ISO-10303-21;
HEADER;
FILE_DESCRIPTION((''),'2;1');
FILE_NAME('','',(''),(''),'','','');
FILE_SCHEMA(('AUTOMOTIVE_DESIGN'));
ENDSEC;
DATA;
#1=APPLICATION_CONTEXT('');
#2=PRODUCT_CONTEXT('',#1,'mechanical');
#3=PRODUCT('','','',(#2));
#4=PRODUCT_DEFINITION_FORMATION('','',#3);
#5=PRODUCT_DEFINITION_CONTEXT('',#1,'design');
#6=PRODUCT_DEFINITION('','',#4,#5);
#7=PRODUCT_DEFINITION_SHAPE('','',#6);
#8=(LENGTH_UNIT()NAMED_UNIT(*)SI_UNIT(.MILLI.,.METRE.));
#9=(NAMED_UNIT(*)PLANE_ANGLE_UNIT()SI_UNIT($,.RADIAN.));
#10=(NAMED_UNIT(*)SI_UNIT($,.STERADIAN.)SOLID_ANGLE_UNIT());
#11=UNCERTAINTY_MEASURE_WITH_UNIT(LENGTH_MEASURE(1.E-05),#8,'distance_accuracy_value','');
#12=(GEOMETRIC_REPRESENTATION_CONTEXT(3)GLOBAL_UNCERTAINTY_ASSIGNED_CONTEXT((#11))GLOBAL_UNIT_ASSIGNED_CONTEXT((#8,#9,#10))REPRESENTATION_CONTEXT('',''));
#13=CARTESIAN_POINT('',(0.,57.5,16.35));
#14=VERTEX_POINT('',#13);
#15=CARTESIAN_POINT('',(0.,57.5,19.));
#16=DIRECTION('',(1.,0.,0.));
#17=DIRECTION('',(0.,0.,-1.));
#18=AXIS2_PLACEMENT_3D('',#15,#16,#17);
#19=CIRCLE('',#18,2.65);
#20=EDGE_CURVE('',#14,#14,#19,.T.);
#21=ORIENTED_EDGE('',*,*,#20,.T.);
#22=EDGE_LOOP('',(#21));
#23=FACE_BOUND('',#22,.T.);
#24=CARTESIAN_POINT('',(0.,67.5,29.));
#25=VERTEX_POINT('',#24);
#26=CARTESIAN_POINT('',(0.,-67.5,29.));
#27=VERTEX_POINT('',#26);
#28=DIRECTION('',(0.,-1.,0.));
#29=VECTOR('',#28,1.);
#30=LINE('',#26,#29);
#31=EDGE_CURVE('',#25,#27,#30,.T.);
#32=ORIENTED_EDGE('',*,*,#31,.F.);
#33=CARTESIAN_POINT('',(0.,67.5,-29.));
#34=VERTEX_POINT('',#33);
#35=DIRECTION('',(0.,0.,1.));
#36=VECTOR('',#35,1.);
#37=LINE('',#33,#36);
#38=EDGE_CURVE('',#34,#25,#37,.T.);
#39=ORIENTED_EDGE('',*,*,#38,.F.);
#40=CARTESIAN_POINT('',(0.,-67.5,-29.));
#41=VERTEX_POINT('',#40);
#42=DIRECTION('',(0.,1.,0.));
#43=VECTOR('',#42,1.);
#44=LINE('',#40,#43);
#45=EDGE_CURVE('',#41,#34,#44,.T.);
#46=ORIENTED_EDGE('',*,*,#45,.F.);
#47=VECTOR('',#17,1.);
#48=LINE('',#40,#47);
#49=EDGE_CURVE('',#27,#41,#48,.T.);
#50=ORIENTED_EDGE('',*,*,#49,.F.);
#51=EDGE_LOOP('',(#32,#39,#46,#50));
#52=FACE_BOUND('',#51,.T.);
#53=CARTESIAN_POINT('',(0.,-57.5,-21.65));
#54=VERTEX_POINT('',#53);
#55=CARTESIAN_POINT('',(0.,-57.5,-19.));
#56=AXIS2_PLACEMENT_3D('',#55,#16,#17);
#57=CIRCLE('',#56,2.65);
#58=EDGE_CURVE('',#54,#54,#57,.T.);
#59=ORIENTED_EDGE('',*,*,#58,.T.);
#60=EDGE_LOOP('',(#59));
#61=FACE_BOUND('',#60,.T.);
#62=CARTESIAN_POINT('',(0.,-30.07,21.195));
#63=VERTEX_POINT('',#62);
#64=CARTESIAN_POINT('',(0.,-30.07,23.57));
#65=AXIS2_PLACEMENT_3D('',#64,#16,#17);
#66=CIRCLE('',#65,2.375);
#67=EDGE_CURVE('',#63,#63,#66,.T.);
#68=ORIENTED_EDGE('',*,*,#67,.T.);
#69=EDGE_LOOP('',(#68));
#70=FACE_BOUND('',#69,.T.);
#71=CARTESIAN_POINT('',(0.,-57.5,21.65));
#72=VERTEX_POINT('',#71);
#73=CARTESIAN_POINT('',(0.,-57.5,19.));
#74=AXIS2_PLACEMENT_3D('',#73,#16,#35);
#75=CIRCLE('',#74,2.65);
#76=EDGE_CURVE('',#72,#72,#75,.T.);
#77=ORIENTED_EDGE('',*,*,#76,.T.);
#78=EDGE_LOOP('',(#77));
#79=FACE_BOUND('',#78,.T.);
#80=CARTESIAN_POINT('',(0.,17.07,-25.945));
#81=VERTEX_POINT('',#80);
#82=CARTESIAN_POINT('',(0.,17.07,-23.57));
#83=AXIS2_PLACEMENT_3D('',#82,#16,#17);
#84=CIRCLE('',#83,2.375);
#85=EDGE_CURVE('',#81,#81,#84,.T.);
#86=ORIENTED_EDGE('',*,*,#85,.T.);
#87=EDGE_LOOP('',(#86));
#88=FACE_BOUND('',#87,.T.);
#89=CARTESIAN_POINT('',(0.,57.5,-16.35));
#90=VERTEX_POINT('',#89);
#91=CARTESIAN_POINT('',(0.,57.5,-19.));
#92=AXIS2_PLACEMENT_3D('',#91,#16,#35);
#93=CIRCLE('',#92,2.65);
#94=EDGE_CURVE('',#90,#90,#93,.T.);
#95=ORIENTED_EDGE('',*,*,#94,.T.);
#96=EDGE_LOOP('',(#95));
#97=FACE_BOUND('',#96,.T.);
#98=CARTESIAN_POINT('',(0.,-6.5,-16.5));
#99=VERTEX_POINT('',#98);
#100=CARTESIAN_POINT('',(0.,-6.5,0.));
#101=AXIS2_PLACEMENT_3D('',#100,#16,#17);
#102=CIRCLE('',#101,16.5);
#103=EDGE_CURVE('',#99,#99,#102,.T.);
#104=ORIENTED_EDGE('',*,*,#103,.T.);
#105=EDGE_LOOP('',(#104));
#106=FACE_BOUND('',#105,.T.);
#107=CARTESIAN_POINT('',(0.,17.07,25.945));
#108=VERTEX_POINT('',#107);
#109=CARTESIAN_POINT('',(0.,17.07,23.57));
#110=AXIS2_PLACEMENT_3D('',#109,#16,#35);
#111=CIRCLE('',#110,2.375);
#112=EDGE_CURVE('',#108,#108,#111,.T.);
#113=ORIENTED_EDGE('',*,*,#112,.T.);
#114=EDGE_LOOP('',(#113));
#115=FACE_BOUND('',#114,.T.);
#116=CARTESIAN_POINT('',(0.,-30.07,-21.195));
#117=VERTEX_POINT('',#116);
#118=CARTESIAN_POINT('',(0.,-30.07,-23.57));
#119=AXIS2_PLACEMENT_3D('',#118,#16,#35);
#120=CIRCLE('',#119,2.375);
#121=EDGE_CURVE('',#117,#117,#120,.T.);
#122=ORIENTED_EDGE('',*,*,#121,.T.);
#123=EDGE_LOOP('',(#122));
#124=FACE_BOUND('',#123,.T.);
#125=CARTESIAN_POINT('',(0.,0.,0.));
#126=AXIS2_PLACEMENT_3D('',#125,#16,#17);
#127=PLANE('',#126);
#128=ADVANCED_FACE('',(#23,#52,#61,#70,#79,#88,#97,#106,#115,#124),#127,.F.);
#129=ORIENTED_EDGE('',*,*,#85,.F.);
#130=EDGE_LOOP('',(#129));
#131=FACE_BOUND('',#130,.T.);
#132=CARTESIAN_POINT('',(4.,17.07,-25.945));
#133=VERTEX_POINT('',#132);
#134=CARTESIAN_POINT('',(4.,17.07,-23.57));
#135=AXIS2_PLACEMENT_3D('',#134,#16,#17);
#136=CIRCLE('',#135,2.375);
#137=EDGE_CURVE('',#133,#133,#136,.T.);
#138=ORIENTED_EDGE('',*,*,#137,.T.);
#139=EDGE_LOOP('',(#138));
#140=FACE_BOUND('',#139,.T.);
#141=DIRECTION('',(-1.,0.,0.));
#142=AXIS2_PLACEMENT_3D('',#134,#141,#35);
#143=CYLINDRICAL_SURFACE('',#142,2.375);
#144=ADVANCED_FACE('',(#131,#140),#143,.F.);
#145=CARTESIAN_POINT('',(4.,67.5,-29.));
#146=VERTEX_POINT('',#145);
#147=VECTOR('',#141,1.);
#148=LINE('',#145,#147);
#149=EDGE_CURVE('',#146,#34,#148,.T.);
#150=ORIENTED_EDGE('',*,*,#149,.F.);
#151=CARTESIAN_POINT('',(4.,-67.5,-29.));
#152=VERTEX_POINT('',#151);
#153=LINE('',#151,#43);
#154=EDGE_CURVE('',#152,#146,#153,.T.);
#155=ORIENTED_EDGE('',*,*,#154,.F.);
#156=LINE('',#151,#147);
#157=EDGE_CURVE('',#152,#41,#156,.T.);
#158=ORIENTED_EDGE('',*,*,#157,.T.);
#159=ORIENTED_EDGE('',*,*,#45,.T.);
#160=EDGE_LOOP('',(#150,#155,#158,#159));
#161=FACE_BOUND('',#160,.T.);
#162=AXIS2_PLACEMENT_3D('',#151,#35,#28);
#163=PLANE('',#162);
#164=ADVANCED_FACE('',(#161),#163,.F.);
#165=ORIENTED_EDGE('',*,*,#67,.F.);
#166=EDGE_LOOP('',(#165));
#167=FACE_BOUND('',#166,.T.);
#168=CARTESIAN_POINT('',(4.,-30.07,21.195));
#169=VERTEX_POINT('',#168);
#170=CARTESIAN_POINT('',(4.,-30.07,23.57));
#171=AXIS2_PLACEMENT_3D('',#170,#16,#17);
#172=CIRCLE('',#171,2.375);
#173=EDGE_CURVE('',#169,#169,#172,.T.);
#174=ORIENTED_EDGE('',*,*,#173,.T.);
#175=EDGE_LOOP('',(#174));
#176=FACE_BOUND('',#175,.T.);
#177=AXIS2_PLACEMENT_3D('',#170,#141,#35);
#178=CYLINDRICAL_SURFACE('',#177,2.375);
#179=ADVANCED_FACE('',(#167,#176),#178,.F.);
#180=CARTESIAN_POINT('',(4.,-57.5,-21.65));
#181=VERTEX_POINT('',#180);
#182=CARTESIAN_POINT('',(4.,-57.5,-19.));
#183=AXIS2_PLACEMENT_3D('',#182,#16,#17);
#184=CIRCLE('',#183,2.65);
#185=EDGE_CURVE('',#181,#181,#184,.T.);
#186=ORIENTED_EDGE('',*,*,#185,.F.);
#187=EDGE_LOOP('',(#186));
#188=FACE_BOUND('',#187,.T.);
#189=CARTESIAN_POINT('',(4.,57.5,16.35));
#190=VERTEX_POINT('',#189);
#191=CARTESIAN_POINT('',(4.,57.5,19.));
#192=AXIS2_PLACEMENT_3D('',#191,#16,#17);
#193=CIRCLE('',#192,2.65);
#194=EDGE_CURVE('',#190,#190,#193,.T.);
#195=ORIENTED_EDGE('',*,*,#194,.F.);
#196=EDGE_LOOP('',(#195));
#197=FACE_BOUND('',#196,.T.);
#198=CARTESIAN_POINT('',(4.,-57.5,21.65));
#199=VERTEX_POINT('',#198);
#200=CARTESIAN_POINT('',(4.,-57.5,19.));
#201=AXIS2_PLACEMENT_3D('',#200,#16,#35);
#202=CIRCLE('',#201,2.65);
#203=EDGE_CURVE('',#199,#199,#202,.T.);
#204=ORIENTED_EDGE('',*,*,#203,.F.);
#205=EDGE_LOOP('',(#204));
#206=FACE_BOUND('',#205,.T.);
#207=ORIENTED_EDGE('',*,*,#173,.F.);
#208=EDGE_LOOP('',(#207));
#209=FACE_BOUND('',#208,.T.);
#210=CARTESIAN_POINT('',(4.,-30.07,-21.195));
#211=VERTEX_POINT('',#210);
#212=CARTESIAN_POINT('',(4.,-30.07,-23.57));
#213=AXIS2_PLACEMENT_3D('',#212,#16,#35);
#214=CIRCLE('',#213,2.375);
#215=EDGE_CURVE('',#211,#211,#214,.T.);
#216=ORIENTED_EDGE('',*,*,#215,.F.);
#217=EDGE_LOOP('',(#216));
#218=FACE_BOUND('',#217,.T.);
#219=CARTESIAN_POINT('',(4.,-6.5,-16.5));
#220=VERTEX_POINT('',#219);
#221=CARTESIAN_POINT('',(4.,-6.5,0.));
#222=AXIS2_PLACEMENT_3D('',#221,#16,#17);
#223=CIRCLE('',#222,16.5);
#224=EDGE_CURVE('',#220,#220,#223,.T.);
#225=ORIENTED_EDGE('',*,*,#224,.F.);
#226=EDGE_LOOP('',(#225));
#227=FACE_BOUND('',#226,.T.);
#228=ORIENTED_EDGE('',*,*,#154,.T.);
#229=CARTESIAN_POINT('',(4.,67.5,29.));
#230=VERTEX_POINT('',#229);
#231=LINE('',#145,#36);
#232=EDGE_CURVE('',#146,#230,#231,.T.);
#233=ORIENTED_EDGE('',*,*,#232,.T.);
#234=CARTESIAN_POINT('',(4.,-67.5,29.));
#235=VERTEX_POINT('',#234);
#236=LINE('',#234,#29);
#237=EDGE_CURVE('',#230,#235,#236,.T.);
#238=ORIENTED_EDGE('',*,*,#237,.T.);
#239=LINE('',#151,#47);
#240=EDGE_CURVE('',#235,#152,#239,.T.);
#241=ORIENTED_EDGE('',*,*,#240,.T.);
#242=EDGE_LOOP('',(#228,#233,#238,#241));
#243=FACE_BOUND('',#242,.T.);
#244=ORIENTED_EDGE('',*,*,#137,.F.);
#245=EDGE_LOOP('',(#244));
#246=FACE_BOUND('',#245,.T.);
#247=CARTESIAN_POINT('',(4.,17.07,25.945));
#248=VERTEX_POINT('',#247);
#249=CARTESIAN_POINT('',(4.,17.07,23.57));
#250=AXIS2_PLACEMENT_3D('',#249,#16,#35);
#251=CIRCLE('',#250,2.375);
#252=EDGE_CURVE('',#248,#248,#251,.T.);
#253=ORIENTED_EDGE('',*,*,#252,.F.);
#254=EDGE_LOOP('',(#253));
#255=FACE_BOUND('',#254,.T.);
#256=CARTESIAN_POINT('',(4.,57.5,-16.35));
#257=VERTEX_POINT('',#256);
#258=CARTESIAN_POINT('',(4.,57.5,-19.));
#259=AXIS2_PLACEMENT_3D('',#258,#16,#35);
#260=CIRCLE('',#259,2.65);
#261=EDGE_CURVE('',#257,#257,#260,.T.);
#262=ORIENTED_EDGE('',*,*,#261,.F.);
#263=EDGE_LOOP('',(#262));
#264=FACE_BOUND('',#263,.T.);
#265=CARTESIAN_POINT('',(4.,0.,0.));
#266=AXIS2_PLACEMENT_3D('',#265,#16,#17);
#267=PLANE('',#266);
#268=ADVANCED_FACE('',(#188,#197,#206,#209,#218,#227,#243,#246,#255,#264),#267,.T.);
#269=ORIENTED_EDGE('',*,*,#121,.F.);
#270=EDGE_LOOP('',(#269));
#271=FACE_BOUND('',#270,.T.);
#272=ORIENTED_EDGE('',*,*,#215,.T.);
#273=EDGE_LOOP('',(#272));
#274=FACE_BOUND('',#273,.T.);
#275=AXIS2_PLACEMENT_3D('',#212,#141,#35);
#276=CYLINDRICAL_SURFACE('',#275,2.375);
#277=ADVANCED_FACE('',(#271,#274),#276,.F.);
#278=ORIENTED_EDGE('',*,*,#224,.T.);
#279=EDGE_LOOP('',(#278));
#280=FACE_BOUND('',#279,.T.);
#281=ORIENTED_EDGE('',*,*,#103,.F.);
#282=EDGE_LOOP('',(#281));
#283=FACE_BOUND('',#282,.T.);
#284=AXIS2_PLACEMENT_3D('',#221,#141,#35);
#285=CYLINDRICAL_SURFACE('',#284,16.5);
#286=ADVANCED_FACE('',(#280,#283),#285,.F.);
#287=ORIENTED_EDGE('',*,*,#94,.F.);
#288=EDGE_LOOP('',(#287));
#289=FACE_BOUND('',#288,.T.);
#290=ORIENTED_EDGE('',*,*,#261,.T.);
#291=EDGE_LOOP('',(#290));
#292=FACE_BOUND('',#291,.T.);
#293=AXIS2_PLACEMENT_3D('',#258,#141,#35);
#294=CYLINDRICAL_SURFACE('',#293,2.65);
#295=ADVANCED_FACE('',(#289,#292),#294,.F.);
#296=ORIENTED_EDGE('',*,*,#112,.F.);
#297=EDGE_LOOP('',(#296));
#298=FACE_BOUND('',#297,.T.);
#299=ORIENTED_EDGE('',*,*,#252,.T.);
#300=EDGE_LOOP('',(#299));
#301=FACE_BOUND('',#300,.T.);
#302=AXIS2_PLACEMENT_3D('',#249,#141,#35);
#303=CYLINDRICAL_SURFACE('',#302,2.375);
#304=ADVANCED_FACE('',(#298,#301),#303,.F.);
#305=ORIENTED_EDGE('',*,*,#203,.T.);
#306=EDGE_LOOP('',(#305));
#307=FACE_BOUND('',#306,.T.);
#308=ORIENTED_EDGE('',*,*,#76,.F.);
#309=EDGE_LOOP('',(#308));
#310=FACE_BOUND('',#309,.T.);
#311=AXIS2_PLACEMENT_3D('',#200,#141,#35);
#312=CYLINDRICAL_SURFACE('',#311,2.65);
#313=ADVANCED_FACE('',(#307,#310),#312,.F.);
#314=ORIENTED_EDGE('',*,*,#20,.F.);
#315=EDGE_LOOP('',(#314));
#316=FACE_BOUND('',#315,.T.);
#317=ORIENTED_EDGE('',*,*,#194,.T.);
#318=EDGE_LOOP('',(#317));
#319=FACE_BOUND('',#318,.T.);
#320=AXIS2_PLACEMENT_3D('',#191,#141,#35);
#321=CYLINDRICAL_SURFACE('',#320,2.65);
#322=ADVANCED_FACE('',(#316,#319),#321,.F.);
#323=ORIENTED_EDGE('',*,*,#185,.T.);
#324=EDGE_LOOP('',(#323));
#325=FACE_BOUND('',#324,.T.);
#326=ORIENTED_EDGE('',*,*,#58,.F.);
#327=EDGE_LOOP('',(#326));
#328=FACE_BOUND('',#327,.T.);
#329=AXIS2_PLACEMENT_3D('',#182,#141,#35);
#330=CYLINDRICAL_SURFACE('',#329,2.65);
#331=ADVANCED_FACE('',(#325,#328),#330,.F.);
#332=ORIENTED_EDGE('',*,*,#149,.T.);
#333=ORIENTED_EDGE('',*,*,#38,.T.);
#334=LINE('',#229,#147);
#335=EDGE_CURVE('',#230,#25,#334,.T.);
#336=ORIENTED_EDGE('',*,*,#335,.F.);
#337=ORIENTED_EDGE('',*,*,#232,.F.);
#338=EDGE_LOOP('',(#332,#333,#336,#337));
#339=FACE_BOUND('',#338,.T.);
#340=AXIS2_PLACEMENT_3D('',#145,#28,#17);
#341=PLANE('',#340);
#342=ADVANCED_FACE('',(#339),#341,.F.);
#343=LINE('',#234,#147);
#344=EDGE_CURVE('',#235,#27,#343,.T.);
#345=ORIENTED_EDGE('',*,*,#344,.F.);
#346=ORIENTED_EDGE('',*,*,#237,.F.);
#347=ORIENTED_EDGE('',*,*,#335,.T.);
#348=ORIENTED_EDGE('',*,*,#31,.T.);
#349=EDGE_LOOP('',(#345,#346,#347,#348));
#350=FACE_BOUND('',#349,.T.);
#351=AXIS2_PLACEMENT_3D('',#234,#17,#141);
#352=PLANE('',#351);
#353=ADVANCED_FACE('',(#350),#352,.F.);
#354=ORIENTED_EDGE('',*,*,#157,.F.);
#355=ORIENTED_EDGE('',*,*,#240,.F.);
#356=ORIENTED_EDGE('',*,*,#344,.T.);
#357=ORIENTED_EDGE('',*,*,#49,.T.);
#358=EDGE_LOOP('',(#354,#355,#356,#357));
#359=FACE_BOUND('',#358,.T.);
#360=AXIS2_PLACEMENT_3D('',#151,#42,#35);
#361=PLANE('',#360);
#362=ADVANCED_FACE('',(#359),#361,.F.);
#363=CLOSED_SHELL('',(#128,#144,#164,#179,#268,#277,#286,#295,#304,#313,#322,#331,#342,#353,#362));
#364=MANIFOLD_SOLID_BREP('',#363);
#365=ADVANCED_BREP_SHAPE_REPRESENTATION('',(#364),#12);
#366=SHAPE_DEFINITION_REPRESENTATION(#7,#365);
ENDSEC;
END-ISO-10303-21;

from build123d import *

# Parameters (mm, degrees)
SKETCH1_W           = 58
SKETCH1_H           = 135
SKETCH1_R           = 16.5
SKETCH1_R_2         = 2.375
SKETCH1_R_3         = 2.65
BOSS_EXTRUDE1_DEPTH = 4


with BuildPart() as part:
    # Sketch1 → Boss-Extrude1 (new body)
    with BuildSketch(Plane(origin=(0, 0, 0), x_dir=(0, 0, -1), z_dir=(1, 0, 0))):
        Rectangle(SKETCH1_W, SKETCH1_H)
        with Locations((0, -6.5)):
            Circle(SKETCH1_R, mode=Mode.SUBTRACT)
        with Locations((23.57, 17.07)):
            Circle(SKETCH1_R_2, mode=Mode.SUBTRACT)
        with Locations((-23.57, 17.07)):
            Circle(SKETCH1_R_2, mode=Mode.SUBTRACT)
        with Locations((-23.57, -30.07)):
            Circle(SKETCH1_R_2, mode=Mode.SUBTRACT)
        with Locations((23.57, -30.07)):
            Circle(SKETCH1_R_2, mode=Mode.SUBTRACT)
        with Locations((-19, 57.5)):
            Circle(SKETCH1_R_3, mode=Mode.SUBTRACT)
        with Locations((19, 57.5)):
            Circle(SKETCH1_R_3, mode=Mode.SUBTRACT)
        with Locations((-19, -57.5)):
            Circle(SKETCH1_R_3, mode=Mode.SUBTRACT)
        with Locations((19, -57.5)):
            Circle(SKETCH1_R_3, mode=Mode.SUBTRACT)
    extrude(amount=BOSS_EXTRUDE1_DEPTH)


solid = part.part
